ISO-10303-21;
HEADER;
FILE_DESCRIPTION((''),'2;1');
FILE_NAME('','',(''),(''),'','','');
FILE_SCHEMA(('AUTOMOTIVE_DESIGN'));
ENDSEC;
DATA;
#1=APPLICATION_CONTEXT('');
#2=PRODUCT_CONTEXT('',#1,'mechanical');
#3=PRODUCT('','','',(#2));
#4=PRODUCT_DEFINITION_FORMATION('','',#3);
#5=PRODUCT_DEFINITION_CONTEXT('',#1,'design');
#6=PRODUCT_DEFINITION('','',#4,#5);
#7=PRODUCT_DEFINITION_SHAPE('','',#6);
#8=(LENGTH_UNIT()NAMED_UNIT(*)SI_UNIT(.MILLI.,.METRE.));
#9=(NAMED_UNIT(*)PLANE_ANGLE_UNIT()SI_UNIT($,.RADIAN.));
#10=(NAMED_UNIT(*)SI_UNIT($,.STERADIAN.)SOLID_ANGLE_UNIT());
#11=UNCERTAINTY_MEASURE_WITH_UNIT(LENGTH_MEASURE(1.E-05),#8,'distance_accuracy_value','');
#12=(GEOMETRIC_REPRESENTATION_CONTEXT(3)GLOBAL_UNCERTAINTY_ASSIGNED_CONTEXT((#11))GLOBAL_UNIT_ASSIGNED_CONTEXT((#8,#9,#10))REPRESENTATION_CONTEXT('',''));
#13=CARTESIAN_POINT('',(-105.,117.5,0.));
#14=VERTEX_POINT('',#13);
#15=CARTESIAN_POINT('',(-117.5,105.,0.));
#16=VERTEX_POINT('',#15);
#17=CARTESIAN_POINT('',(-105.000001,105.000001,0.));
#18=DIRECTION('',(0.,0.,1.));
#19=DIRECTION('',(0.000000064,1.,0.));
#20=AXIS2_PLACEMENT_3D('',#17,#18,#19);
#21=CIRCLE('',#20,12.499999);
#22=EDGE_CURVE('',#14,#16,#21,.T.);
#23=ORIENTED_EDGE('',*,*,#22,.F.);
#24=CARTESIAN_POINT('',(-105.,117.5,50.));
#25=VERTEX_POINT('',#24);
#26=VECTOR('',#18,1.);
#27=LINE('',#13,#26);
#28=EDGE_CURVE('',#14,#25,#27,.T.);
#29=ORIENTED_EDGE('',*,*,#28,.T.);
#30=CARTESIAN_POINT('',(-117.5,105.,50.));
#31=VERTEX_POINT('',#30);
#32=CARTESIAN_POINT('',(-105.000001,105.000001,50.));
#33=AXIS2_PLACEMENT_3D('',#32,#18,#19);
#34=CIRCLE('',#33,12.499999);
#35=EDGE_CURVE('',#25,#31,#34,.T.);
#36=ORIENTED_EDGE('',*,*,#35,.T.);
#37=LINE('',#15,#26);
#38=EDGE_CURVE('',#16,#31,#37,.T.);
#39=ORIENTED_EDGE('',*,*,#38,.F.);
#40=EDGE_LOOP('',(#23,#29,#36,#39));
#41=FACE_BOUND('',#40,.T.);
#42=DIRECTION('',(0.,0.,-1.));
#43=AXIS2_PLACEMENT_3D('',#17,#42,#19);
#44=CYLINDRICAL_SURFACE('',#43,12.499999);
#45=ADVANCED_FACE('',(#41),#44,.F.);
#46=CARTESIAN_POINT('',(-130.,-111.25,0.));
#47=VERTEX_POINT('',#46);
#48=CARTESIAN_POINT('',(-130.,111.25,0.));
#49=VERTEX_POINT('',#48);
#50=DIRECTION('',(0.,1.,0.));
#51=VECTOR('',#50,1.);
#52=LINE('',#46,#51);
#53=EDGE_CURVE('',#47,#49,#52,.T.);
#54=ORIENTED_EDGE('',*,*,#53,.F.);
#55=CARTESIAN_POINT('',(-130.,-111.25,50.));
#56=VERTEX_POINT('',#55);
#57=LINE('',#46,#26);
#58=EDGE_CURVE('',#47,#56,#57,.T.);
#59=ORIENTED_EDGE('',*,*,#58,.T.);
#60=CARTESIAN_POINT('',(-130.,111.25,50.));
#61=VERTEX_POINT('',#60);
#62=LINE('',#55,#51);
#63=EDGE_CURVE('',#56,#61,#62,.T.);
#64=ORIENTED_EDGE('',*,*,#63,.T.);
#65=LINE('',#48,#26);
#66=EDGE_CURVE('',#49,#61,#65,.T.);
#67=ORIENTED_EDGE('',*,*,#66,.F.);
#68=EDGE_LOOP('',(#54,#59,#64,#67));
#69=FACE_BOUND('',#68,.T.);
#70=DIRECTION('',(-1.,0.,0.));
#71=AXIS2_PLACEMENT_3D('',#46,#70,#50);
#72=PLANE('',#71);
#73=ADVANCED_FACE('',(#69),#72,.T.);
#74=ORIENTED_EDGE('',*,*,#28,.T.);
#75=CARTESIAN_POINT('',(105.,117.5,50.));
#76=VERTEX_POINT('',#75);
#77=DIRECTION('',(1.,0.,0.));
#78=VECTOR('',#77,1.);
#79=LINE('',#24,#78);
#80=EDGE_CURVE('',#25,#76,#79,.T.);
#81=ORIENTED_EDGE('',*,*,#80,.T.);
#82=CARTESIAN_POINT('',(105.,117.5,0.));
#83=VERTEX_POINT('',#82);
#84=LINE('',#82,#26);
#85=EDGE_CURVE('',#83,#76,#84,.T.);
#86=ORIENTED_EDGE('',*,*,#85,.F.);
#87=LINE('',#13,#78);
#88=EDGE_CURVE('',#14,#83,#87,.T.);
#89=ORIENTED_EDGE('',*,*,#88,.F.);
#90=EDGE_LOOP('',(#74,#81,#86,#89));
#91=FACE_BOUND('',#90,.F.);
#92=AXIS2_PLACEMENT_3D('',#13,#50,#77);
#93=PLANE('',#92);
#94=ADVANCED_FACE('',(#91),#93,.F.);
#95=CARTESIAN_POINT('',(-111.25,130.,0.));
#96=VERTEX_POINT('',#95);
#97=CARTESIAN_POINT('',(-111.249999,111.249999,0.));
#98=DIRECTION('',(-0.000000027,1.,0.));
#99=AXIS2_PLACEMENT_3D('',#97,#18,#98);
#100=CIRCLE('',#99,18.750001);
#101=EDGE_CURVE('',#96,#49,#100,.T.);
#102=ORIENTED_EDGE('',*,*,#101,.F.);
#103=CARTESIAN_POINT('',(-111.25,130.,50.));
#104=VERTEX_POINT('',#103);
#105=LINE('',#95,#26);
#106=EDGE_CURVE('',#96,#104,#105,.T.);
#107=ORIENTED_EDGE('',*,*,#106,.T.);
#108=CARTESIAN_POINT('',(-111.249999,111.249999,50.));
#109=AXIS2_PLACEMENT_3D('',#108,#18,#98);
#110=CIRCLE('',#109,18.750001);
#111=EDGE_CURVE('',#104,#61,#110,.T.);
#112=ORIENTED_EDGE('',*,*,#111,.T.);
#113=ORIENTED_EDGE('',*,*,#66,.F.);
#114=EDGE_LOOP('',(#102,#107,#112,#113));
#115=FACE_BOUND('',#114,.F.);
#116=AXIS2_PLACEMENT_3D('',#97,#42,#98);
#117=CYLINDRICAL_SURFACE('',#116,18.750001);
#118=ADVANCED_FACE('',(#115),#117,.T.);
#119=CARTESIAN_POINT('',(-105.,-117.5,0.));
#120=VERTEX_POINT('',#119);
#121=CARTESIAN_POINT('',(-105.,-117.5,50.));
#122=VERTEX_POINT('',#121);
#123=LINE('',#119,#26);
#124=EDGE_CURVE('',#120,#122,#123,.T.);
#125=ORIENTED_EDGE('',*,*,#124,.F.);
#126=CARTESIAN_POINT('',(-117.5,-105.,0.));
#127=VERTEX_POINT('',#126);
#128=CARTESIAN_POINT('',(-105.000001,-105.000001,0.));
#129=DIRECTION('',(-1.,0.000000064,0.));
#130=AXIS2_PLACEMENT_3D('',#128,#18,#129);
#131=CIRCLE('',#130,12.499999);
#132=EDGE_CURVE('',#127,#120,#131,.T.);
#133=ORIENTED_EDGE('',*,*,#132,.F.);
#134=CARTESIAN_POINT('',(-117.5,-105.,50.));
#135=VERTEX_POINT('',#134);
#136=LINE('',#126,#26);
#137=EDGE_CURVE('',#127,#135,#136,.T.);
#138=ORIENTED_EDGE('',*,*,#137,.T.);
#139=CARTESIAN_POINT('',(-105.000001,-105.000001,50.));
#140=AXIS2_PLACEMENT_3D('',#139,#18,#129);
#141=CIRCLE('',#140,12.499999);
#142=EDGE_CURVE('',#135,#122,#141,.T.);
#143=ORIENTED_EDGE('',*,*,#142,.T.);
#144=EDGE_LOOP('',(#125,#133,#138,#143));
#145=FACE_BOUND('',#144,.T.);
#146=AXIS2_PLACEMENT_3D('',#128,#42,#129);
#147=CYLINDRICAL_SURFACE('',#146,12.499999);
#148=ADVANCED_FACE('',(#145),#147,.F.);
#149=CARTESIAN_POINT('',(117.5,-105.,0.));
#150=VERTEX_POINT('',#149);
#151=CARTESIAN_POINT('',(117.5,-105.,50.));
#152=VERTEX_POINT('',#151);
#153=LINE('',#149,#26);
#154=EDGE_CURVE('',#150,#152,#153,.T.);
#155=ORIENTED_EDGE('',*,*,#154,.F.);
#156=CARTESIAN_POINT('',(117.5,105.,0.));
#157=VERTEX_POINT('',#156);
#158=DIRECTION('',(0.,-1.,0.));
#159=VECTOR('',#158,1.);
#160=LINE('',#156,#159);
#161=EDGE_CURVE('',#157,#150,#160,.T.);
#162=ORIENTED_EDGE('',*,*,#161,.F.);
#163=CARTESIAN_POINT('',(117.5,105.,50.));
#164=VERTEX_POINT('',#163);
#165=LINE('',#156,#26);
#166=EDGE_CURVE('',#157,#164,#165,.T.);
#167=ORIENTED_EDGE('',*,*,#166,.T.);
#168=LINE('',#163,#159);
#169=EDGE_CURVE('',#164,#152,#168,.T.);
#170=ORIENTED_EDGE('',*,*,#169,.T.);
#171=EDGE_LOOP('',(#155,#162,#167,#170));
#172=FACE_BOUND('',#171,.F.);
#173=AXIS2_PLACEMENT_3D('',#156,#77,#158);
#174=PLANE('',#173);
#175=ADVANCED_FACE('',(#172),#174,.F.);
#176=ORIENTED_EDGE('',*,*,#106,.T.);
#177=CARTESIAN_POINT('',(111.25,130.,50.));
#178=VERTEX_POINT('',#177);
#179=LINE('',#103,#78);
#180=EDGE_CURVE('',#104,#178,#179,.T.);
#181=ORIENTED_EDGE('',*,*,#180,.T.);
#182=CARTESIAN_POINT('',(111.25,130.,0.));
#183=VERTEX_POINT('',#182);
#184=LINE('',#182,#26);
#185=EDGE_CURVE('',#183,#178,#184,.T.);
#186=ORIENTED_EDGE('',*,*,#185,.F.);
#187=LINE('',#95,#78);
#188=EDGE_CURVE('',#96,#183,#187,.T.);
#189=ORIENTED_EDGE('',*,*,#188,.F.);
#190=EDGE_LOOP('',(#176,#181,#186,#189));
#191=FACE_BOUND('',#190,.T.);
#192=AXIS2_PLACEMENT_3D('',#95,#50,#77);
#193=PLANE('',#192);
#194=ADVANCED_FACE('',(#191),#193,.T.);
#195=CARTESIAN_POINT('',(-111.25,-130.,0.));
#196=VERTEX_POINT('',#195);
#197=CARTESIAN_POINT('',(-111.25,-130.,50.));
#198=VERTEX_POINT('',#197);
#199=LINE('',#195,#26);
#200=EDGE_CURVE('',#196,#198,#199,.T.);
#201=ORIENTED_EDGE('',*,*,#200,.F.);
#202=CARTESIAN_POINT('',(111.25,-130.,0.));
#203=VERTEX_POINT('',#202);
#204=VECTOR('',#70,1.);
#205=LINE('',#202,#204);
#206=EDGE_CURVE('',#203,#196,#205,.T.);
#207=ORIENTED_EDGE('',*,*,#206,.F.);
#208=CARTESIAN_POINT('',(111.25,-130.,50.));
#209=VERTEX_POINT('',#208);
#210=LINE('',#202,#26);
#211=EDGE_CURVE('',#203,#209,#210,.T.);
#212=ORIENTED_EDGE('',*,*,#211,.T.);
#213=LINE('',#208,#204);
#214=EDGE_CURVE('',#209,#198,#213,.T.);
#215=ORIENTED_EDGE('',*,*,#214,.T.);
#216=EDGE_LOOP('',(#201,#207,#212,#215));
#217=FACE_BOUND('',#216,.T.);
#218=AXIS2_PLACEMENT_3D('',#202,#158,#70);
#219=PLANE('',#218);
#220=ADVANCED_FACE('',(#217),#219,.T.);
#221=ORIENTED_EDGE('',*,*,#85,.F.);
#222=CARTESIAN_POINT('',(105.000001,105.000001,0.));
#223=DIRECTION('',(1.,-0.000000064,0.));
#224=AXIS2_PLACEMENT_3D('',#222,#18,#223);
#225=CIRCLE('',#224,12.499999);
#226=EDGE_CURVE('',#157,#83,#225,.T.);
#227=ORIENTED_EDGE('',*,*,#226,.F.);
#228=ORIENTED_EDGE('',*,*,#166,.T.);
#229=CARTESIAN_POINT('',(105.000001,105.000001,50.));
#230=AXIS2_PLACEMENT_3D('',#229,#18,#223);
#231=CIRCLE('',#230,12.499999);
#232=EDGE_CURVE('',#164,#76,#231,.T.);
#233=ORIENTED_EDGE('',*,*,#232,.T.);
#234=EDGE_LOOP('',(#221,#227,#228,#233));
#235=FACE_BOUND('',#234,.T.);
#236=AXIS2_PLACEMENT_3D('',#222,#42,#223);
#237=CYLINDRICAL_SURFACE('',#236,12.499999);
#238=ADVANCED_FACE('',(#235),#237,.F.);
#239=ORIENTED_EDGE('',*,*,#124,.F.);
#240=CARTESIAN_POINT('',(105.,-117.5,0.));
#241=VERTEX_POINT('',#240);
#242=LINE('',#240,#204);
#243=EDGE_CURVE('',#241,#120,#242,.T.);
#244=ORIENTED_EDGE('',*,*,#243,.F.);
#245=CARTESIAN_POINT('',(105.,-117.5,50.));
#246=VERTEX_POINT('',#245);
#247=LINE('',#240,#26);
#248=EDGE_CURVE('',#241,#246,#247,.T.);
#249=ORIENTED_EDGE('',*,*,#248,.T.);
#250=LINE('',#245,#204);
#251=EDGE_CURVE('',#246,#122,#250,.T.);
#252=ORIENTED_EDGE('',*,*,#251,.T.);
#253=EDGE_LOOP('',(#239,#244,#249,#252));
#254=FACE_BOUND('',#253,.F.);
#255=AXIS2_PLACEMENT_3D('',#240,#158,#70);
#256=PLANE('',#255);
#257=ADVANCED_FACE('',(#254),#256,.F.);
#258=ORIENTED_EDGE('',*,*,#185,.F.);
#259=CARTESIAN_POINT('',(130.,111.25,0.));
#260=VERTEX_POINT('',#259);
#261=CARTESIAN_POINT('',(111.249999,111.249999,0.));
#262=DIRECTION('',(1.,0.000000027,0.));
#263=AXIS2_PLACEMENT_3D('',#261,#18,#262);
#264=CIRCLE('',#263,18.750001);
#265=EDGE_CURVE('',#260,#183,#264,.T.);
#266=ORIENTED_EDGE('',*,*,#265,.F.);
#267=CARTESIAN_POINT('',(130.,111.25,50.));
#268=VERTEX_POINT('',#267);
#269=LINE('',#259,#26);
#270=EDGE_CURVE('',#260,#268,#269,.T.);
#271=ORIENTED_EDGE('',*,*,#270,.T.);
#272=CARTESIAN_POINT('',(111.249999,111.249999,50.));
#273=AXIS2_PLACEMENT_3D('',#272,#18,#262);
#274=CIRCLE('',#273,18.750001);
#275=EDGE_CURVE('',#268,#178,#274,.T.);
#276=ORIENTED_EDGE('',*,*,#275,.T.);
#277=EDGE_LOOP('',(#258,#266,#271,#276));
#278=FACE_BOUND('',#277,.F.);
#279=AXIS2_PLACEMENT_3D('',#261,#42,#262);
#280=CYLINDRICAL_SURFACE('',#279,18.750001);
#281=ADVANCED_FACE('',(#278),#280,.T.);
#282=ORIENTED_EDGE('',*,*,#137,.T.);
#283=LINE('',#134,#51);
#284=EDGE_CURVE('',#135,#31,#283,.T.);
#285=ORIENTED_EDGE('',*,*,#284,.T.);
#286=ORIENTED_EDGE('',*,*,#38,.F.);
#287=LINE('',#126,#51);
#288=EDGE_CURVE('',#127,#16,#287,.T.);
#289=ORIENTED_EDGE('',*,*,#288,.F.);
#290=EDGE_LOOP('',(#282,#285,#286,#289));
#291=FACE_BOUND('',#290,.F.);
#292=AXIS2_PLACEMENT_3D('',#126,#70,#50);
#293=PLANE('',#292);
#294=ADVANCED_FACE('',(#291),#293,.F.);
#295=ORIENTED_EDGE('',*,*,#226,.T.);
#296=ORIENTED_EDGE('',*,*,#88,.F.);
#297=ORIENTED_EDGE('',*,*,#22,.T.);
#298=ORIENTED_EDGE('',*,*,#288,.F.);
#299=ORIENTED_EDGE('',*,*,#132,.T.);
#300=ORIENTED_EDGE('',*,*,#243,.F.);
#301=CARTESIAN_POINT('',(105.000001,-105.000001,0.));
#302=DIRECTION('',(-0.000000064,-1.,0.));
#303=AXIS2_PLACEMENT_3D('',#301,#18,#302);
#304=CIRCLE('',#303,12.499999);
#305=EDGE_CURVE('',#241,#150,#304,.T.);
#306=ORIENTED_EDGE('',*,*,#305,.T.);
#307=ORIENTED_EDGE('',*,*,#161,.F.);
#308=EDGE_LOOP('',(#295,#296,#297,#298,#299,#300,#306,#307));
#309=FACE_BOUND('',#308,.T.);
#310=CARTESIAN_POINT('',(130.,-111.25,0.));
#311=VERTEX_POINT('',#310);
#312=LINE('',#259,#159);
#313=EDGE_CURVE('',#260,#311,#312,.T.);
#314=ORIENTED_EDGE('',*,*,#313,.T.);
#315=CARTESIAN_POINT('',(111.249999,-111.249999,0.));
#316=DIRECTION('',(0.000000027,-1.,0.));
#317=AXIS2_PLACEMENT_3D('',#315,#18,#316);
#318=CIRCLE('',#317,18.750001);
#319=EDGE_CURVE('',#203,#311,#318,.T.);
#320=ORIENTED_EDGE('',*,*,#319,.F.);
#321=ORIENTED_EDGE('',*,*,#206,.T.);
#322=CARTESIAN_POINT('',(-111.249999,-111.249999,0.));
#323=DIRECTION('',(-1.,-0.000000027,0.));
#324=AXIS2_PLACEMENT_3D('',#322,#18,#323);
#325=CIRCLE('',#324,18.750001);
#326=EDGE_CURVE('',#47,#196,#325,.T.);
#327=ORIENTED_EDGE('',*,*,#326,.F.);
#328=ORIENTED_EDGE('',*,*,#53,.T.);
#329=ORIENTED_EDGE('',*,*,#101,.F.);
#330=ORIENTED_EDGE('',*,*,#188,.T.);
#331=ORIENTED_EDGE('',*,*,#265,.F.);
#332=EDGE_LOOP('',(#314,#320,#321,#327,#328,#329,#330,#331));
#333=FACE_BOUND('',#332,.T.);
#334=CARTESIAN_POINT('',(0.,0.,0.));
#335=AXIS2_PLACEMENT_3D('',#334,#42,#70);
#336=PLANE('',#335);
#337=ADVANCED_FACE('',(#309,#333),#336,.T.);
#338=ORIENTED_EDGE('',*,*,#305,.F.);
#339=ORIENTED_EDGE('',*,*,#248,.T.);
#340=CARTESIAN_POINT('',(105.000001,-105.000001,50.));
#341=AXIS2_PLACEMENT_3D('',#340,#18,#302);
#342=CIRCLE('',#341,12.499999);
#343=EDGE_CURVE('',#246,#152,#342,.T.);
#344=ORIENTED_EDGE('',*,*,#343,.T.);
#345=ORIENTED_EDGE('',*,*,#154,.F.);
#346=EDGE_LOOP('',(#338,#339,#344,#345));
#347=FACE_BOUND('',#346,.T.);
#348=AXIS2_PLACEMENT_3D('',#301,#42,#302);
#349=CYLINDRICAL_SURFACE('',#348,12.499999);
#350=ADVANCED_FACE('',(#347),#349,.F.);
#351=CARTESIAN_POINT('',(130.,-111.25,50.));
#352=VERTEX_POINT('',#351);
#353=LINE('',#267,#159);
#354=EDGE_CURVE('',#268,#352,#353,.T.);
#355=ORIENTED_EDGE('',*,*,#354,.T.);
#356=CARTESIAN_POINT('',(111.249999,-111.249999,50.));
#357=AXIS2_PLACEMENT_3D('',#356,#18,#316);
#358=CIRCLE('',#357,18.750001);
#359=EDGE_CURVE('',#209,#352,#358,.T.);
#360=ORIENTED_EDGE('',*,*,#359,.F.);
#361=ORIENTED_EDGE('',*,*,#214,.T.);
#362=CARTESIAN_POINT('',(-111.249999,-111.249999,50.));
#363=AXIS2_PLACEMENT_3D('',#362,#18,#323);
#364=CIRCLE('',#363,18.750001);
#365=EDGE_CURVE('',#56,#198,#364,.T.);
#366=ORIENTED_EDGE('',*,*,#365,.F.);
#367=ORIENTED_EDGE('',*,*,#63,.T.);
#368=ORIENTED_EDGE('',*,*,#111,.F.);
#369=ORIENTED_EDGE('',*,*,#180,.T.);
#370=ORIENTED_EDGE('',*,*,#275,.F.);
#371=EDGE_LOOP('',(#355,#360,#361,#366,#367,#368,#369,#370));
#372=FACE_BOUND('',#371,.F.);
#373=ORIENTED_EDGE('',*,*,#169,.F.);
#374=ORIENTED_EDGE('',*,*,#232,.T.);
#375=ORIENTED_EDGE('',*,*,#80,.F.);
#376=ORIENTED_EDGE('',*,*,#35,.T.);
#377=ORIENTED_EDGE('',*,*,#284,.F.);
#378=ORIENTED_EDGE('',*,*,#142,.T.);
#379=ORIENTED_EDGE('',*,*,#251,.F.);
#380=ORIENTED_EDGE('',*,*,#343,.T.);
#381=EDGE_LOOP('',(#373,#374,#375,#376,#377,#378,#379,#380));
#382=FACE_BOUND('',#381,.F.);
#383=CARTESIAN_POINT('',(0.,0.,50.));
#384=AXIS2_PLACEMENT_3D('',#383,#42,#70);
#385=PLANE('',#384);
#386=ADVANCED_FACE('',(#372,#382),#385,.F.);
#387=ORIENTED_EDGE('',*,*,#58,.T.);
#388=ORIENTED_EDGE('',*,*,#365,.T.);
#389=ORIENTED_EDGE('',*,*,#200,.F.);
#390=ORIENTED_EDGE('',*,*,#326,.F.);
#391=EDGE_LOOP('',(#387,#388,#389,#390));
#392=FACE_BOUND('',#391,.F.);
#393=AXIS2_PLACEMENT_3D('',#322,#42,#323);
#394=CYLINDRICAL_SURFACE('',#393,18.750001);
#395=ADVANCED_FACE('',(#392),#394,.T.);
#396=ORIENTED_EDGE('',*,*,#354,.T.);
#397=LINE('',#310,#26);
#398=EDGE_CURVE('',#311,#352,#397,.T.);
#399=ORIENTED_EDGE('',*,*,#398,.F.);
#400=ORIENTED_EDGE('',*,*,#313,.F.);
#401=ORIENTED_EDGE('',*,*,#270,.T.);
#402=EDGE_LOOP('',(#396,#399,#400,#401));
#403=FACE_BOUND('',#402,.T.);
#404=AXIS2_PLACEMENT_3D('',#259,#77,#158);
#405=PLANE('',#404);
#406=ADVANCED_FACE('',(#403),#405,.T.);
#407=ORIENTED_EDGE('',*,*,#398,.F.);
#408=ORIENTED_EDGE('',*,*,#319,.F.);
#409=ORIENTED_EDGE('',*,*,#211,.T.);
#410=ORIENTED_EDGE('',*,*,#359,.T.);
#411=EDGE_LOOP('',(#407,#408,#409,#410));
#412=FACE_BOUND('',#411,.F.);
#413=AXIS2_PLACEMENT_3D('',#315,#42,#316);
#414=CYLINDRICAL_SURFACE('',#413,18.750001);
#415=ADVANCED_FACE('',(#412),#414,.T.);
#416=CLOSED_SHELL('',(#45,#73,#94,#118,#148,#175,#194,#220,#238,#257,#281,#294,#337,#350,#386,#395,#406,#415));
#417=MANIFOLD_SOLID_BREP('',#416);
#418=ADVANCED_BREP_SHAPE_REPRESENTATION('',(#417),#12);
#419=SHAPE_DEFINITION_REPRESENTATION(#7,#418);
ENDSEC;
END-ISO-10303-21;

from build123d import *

# Parameters (mm, degrees)
EXTRUDE_DEPTH = 50


with BuildPart() as part:
    # Sketch → Extrude (new body)
    with BuildSketch(Plane.XY):
        with BuildLine():
            Line((-111.25, 130), (111.25, 130))
            ThreePointArc((130, 111.25), (124.508252, 124.508252), (111.25, 130))
            Line((130, 111.25), (130, -111.25))
            ThreePointArc((111.25, -130), (124.508252, -124.508252), (130, -111.25))
            Line((111.25, -130), (-111.25, -130))
            ThreePointArc((-130, -111.25), (-124.508252, -124.508252), (-111.25, -130))
            Line((-130, -111.25), (-130, 111.25))
            ThreePointArc((-111.25, 130), (-124.508252, 124.508252), (-130, 111.25))
        make_face()
        with BuildLine():
            Line((-105, 117.5), (105, 117.5))
            ThreePointArc((117.5, 105), (113.838835, 113.838835), (105, 117.5))
            Line((117.5, 105), (117.5, -105))
            ThreePointArc((105, -117.5), (113.838835, -113.838835), (117.5, -105))
            Line((105, -117.5), (-105, -117.5))
            ThreePointArc((-117.5, -105), (-113.838835, -113.838835), (-105, -117.5))
            Line((-117.5, -105), (-117.5, 105))
            ThreePointArc((-105, 117.5), (-113.838835, 113.838835), (-117.5, 105))
        make_face(mode=Mode.SUBTRACT)
    extrude(amount=EXTRUDE_DEPTH)


solid = part.part
